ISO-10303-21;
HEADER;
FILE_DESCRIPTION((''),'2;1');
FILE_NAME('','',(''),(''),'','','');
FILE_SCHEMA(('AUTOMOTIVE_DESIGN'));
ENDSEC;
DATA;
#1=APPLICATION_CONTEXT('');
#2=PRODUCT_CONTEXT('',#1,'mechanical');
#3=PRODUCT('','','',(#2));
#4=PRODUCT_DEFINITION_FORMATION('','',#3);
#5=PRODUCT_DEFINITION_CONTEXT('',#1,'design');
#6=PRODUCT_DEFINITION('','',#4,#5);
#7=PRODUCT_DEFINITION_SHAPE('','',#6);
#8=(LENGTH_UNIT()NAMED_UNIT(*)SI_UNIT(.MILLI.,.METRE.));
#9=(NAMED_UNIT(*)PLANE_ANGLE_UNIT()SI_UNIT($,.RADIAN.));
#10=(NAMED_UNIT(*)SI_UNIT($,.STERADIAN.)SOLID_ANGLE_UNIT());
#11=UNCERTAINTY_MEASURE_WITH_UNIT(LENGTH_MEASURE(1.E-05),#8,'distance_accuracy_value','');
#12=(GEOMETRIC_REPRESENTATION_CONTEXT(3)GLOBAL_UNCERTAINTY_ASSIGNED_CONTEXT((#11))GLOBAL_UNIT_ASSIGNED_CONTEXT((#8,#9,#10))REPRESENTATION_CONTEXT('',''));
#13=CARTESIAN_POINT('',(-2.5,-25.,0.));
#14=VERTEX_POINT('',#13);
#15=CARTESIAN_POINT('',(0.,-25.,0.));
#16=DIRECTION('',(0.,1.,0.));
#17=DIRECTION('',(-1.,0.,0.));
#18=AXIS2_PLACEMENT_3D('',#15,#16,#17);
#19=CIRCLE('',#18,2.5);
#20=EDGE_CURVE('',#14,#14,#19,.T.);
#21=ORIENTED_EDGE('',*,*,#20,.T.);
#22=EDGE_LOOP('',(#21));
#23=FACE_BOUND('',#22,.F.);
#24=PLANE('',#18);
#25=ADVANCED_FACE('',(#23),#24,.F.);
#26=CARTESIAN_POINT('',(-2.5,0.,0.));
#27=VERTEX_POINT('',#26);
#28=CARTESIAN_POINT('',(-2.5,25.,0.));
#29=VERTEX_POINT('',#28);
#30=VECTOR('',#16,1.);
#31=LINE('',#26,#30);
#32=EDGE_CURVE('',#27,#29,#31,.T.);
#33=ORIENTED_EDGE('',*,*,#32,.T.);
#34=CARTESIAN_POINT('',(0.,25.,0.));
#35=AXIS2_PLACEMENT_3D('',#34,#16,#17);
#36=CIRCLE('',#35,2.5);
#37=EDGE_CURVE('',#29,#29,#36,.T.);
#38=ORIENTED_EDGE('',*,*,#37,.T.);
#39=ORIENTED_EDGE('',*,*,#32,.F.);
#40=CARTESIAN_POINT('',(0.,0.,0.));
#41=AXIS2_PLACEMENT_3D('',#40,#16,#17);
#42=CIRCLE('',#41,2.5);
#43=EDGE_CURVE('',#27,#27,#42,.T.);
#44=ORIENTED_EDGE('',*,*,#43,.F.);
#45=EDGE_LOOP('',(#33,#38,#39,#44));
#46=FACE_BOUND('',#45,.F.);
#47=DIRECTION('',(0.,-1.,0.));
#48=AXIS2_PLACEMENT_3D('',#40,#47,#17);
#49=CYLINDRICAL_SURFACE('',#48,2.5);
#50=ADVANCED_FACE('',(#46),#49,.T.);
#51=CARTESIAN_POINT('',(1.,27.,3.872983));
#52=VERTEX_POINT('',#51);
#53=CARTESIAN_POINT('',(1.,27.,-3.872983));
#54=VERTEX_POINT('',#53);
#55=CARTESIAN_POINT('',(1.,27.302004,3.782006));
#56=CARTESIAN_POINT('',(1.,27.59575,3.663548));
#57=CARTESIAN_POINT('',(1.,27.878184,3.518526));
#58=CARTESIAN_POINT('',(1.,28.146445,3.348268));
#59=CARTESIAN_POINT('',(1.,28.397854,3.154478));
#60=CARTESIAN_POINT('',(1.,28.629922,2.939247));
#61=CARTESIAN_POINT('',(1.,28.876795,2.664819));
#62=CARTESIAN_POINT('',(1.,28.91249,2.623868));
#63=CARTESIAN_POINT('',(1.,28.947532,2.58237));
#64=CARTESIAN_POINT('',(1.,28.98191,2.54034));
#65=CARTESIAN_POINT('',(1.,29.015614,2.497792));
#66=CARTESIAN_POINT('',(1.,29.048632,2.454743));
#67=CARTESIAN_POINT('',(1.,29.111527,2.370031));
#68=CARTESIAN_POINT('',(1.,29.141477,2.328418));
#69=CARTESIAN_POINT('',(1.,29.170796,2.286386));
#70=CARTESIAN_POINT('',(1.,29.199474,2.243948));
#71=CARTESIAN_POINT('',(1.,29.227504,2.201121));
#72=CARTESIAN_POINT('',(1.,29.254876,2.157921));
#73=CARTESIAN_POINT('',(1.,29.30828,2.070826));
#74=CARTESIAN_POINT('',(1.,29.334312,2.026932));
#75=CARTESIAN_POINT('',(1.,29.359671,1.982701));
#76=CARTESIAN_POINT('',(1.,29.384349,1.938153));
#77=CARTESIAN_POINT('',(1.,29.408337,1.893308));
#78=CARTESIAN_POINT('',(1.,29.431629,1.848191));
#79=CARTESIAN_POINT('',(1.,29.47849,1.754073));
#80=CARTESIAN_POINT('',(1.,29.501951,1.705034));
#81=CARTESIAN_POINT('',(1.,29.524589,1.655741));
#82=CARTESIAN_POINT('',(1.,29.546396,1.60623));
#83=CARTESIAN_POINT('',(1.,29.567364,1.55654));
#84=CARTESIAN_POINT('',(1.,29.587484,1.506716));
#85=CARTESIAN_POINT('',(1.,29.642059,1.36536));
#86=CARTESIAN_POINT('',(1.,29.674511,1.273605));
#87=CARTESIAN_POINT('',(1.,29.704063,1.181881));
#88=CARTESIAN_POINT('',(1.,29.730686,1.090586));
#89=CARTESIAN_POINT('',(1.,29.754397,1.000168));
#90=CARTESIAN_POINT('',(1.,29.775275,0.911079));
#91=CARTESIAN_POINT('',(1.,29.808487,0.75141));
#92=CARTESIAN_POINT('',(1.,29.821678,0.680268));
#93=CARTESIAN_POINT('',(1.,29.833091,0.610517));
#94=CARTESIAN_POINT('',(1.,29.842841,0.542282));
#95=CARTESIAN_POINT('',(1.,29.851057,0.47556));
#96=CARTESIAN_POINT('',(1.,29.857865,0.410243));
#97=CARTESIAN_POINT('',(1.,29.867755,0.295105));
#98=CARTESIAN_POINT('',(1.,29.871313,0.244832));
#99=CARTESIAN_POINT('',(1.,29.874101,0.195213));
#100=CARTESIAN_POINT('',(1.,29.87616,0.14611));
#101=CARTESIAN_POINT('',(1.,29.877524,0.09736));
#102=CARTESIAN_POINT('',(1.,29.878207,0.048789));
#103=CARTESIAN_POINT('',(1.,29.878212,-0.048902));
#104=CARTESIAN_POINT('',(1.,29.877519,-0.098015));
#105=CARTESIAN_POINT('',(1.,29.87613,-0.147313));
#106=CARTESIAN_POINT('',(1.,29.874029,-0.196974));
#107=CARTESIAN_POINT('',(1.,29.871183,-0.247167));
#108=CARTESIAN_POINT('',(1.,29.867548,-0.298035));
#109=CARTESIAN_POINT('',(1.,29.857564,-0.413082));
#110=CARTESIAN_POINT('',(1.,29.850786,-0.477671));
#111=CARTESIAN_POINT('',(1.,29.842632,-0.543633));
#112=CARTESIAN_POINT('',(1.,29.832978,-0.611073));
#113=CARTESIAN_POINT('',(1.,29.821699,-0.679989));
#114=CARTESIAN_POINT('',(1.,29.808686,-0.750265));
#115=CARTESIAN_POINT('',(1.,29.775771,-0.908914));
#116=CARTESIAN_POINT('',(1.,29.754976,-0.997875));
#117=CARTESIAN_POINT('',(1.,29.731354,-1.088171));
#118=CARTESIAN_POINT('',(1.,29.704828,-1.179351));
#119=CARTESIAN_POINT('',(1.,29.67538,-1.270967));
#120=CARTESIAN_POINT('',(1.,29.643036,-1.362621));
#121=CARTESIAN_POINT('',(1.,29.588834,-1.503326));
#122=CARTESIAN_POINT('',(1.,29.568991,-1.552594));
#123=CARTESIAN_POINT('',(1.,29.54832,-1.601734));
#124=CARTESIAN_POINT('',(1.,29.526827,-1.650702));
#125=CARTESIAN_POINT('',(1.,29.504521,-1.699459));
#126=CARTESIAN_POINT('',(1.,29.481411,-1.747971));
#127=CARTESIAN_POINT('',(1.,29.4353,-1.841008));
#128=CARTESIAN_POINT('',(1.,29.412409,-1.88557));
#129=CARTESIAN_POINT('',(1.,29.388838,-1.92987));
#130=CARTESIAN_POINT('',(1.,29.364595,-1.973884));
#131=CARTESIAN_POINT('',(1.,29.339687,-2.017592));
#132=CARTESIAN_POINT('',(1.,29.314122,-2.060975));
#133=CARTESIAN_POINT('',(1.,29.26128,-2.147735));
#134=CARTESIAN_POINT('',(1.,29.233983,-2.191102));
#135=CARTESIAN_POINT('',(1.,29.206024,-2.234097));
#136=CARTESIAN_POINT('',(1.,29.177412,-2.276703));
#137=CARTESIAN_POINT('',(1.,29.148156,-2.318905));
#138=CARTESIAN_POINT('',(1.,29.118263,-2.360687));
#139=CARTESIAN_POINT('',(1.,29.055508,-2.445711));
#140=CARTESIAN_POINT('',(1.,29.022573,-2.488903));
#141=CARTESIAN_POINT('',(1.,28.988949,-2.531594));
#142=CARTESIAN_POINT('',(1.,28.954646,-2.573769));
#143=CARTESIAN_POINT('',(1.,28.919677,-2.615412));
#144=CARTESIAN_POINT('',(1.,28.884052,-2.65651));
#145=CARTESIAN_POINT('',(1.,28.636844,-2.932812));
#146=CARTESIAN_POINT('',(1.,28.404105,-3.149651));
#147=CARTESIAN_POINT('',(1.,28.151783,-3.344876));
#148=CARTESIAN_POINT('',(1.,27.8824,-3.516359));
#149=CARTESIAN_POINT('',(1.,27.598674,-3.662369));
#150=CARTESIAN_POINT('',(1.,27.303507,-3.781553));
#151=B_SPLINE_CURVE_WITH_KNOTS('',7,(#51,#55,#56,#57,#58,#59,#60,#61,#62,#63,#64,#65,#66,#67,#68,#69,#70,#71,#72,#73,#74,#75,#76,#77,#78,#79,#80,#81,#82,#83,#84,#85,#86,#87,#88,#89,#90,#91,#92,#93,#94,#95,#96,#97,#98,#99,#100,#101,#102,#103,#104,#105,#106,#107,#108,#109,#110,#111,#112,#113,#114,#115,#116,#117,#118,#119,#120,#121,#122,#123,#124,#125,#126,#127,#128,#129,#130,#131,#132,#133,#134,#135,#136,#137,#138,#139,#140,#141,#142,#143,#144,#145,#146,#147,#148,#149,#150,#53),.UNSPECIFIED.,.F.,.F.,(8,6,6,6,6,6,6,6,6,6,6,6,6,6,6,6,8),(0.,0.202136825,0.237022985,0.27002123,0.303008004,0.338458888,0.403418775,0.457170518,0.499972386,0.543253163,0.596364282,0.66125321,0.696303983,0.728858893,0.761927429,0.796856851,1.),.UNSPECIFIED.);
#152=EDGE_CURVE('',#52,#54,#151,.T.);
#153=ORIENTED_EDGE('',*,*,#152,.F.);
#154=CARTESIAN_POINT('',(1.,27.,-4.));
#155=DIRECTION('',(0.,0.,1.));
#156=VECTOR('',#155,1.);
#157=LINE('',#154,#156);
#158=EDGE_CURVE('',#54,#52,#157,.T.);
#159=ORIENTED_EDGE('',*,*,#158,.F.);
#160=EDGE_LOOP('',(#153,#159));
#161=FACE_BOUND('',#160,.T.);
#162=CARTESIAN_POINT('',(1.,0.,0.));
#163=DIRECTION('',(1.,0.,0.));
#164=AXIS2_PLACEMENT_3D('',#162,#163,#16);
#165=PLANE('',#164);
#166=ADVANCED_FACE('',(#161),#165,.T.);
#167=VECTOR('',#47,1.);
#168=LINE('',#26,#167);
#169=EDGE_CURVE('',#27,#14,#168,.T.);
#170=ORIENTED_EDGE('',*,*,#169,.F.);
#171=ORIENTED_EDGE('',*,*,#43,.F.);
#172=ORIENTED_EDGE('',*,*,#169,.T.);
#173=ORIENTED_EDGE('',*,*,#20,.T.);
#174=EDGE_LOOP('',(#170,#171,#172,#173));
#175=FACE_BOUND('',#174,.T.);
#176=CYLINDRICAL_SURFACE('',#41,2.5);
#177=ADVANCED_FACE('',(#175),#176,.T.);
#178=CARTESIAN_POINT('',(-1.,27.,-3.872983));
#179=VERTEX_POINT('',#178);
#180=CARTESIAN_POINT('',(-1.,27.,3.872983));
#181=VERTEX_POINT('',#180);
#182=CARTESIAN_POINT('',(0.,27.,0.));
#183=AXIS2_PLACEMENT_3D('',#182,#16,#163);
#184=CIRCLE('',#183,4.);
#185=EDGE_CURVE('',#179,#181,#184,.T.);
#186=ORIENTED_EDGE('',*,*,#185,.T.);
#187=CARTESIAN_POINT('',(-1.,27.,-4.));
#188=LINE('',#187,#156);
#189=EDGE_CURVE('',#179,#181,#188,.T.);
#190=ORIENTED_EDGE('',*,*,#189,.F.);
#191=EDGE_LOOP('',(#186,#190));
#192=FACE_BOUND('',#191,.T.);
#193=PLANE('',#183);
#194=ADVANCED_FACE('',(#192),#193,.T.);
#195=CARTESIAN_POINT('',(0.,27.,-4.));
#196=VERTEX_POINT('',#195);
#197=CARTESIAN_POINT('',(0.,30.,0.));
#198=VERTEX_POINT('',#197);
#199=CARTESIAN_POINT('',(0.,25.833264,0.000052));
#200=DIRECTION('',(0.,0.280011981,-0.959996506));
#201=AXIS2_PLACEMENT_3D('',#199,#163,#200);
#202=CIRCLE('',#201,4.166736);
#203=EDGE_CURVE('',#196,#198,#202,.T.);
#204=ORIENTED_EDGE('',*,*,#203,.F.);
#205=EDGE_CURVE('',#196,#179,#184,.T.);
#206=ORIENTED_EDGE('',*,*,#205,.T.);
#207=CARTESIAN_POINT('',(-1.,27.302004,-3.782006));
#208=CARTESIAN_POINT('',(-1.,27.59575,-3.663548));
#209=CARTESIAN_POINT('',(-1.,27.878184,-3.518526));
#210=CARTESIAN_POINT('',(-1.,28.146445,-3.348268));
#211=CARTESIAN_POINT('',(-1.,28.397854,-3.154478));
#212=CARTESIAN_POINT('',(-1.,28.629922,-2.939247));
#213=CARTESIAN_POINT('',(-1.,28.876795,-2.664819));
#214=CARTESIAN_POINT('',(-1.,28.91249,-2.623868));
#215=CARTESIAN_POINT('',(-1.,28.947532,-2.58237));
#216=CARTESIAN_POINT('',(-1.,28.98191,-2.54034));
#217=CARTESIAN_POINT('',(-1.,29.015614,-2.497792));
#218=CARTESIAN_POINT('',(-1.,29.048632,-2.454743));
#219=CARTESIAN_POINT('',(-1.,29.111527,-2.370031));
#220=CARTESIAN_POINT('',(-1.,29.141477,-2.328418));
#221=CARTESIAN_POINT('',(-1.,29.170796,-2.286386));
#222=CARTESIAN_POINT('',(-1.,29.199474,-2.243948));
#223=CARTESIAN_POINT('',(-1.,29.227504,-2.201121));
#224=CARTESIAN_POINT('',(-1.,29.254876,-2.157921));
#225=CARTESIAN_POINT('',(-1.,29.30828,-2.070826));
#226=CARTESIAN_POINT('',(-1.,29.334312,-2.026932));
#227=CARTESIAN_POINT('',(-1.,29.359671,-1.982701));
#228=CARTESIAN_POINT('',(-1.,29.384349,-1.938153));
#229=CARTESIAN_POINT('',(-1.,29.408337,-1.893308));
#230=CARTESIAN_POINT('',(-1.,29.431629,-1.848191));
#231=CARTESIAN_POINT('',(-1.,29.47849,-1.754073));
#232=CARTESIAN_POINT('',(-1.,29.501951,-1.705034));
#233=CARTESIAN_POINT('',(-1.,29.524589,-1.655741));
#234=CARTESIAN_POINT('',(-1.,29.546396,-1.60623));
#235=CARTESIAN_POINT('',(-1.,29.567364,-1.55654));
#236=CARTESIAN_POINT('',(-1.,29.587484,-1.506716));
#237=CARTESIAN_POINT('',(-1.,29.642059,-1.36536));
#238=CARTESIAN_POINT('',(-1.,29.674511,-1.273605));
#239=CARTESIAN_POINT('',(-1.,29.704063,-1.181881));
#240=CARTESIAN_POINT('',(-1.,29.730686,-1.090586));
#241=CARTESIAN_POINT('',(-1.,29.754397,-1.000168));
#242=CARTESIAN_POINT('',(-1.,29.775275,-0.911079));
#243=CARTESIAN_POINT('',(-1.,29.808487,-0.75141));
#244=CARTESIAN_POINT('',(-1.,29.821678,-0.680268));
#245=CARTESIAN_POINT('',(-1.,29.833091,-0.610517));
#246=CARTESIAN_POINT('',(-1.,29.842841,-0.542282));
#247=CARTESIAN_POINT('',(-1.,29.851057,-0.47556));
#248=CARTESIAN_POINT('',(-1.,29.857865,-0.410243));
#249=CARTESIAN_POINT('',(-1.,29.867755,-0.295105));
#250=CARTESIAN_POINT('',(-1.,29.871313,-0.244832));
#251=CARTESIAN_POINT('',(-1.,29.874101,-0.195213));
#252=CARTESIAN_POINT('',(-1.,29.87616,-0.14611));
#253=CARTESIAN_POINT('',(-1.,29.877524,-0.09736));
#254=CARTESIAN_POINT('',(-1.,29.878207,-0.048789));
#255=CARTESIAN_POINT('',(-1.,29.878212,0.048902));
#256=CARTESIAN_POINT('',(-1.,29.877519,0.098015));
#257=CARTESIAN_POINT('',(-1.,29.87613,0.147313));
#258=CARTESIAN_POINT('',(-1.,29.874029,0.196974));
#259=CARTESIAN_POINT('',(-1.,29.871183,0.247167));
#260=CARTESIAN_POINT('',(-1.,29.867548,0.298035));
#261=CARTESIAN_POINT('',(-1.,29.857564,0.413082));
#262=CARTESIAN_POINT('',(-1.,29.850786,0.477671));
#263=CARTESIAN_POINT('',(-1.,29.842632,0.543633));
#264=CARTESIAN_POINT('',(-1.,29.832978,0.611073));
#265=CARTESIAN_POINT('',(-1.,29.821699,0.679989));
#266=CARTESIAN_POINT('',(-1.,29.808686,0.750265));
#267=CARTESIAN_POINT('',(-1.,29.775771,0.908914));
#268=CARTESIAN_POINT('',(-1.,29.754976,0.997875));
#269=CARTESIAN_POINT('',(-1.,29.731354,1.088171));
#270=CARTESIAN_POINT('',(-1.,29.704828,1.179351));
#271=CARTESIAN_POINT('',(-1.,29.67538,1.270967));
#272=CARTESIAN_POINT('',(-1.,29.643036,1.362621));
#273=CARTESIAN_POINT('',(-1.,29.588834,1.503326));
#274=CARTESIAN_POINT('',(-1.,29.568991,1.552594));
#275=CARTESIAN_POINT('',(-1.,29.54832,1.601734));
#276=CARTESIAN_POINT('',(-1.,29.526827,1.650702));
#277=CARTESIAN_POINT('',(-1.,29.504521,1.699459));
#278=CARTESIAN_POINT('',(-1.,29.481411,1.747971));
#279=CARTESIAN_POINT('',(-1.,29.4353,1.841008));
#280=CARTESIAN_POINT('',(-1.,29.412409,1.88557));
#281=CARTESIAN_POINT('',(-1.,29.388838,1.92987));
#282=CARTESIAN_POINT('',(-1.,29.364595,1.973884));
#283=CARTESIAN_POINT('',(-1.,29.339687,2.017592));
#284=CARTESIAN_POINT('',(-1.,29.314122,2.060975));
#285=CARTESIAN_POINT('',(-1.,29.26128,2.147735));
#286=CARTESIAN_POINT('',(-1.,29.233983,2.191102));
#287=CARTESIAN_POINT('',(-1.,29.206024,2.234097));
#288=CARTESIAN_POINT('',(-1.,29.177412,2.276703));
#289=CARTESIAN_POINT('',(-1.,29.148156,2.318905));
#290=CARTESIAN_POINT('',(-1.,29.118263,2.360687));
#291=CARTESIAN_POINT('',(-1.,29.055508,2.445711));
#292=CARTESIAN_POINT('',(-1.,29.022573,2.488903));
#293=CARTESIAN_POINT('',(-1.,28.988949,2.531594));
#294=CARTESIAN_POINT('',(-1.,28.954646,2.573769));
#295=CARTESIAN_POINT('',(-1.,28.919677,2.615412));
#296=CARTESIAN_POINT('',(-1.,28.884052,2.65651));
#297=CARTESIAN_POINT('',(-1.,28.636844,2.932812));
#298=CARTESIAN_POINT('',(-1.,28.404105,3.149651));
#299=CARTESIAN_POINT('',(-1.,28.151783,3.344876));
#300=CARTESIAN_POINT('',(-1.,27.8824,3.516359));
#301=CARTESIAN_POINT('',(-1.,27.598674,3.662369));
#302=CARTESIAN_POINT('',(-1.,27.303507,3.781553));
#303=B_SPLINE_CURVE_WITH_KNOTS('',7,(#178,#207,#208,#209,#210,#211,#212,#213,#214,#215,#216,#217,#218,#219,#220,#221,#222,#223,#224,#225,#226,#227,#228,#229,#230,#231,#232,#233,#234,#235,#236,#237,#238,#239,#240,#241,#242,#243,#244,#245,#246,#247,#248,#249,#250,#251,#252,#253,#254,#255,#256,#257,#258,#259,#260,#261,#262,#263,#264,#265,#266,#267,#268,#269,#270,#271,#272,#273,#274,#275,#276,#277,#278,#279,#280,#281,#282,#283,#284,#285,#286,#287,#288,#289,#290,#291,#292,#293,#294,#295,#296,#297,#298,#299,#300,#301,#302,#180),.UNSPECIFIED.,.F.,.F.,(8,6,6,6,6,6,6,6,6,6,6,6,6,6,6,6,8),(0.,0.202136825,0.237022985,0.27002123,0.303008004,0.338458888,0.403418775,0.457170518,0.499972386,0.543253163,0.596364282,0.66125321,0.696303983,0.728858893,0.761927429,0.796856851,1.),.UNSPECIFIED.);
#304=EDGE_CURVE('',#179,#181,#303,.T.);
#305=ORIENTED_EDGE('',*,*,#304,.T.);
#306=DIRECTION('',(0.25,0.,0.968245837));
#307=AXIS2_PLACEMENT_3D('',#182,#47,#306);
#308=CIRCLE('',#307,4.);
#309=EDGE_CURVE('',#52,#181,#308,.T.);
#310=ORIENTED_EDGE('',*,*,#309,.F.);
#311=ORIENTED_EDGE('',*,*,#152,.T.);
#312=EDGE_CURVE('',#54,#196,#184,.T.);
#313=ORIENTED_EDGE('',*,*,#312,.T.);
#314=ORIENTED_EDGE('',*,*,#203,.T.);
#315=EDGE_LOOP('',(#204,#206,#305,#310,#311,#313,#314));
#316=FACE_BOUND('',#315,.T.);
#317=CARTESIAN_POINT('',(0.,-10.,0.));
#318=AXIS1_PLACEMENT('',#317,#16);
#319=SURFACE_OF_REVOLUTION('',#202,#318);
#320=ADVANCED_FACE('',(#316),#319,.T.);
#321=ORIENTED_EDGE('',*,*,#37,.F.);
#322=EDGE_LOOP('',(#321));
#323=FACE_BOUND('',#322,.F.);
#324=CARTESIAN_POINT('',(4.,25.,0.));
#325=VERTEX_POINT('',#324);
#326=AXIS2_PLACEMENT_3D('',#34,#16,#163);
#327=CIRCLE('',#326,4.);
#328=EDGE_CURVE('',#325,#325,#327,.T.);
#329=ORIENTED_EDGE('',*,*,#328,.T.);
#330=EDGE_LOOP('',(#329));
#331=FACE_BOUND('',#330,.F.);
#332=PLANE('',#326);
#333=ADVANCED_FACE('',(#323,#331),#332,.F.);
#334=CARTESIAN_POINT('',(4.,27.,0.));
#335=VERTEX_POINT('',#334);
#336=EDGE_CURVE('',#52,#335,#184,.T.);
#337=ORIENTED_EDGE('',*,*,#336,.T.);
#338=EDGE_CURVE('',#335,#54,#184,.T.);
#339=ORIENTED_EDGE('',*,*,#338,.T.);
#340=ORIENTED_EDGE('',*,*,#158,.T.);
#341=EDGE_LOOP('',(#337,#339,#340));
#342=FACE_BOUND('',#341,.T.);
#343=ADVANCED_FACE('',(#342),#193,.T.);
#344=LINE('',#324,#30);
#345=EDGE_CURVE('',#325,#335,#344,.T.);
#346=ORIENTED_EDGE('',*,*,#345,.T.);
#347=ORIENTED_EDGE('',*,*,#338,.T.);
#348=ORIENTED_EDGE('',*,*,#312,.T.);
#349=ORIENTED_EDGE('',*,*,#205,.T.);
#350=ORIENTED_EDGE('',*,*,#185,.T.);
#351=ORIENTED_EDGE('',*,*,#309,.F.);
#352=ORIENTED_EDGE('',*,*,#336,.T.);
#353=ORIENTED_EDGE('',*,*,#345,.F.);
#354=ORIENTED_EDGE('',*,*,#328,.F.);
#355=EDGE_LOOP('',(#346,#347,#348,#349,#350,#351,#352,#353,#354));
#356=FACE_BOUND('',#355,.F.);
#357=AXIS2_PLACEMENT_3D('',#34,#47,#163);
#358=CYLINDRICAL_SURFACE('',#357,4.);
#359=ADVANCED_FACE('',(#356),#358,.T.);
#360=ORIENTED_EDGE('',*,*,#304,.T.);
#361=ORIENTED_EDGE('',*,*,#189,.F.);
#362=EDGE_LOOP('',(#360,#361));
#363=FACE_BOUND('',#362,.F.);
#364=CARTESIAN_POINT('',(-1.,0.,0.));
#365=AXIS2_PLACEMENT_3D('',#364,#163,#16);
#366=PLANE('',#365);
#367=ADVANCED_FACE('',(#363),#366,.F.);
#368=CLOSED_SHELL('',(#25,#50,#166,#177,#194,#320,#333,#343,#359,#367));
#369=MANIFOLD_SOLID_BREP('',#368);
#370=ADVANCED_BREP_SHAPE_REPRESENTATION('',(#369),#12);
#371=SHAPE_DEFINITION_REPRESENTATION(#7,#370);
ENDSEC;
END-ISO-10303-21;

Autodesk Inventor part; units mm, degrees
ref_plane "YZ Plane" through (0, 0, 0) normal (1, 0, 0) x (0, 1, 0)
ref_plane "XZ Plane" through (0, 0, 0) normal (0, 1, 0) x (-1, 0, 0)
ref_plane "XY Plane" through (0, 0, 0) normal (0, 0, 1) x (1, 0, 0)
sketch "Sketch1" plane through (0, 0, 0) normal (0, 1, 0) x (-1, 0, 0)
  circle A0 centre (0, 0) radius 2.5
  dimension "d0" = 5
extrude "Extrusion1" add sketch "Sketch1" along normal mid plane 50
sketch "Sketch9" plane through (0, 25, 0) normal (0, 1, 0) x (1, 0, 0)
  circle A0 centre (0, 0) radius 4
  dimension "d56" = 8
extrude "Extrusion2" add sketch "Sketch9" along normal blind 2
sketch "Sketch10" plane through (0, 0, 0) normal (1, 0, 0) x (0, 1, 0)
  line L0 (27, 4) -> (30, 4)
  line L1 (30, 4) -> (30, -4)
  line L2 (30, -4) -> (27, -4)
  line L3 (27, -4) -> (27, 4)
  line L4 (27, -4) -> (27, 4) projected
  point P0 (0, 0)
  point P1 (27, 0)
  point P2 (30, 0)
  dimension "d59" = 8
  dimension "d60" = 3
extrude "Extrusion3" add sketch "Sketch10" along normal mid plane 2
sketch "Sketch11" plane through (0, 0, 0) normal (1, 0, 0) x (0, 1, 0)
  line L0 (32, 0) -> (32, -5)
  line L1 (27, -4) -> (27, -5)
  line L2 (27, -5) -> (32, -5)
  line L3 (30, 4) -> (30, -4) projected
  line L4 (32, 0) -> (30, 0)
  line L5 (-36.2, 0) -> (42.2, 0) projected
  line L6 (30, -4) -> (27, -4) projected
  arc A0 (27, -4) -> (30, 0) centre (25.8333, 0) ccw
  point P0 (0, 0)
  point P1 (27, 4)
  point P2 (31, 0)
  point P3 (27, -3.873)
  dimension "d65" = 5
  dimension "d68" = 2
revolve "Revolution5" cut sketch "Sketch11" angle 360 about axis through (0, -10, 0) along (0, 1, 0)
thread "Thread4" size "M5x0.8" class "6g" standard "ANSI Metric M Profile" length 40
equation "\"d23\" = 55deg"
equation "\"Sketch3_Pitch\" = 0.8"
equation "\"d44\" = 55deg"
equation "\"Sketch6_Pitch\" = 1.27"
properties part number "LeadScrew"
